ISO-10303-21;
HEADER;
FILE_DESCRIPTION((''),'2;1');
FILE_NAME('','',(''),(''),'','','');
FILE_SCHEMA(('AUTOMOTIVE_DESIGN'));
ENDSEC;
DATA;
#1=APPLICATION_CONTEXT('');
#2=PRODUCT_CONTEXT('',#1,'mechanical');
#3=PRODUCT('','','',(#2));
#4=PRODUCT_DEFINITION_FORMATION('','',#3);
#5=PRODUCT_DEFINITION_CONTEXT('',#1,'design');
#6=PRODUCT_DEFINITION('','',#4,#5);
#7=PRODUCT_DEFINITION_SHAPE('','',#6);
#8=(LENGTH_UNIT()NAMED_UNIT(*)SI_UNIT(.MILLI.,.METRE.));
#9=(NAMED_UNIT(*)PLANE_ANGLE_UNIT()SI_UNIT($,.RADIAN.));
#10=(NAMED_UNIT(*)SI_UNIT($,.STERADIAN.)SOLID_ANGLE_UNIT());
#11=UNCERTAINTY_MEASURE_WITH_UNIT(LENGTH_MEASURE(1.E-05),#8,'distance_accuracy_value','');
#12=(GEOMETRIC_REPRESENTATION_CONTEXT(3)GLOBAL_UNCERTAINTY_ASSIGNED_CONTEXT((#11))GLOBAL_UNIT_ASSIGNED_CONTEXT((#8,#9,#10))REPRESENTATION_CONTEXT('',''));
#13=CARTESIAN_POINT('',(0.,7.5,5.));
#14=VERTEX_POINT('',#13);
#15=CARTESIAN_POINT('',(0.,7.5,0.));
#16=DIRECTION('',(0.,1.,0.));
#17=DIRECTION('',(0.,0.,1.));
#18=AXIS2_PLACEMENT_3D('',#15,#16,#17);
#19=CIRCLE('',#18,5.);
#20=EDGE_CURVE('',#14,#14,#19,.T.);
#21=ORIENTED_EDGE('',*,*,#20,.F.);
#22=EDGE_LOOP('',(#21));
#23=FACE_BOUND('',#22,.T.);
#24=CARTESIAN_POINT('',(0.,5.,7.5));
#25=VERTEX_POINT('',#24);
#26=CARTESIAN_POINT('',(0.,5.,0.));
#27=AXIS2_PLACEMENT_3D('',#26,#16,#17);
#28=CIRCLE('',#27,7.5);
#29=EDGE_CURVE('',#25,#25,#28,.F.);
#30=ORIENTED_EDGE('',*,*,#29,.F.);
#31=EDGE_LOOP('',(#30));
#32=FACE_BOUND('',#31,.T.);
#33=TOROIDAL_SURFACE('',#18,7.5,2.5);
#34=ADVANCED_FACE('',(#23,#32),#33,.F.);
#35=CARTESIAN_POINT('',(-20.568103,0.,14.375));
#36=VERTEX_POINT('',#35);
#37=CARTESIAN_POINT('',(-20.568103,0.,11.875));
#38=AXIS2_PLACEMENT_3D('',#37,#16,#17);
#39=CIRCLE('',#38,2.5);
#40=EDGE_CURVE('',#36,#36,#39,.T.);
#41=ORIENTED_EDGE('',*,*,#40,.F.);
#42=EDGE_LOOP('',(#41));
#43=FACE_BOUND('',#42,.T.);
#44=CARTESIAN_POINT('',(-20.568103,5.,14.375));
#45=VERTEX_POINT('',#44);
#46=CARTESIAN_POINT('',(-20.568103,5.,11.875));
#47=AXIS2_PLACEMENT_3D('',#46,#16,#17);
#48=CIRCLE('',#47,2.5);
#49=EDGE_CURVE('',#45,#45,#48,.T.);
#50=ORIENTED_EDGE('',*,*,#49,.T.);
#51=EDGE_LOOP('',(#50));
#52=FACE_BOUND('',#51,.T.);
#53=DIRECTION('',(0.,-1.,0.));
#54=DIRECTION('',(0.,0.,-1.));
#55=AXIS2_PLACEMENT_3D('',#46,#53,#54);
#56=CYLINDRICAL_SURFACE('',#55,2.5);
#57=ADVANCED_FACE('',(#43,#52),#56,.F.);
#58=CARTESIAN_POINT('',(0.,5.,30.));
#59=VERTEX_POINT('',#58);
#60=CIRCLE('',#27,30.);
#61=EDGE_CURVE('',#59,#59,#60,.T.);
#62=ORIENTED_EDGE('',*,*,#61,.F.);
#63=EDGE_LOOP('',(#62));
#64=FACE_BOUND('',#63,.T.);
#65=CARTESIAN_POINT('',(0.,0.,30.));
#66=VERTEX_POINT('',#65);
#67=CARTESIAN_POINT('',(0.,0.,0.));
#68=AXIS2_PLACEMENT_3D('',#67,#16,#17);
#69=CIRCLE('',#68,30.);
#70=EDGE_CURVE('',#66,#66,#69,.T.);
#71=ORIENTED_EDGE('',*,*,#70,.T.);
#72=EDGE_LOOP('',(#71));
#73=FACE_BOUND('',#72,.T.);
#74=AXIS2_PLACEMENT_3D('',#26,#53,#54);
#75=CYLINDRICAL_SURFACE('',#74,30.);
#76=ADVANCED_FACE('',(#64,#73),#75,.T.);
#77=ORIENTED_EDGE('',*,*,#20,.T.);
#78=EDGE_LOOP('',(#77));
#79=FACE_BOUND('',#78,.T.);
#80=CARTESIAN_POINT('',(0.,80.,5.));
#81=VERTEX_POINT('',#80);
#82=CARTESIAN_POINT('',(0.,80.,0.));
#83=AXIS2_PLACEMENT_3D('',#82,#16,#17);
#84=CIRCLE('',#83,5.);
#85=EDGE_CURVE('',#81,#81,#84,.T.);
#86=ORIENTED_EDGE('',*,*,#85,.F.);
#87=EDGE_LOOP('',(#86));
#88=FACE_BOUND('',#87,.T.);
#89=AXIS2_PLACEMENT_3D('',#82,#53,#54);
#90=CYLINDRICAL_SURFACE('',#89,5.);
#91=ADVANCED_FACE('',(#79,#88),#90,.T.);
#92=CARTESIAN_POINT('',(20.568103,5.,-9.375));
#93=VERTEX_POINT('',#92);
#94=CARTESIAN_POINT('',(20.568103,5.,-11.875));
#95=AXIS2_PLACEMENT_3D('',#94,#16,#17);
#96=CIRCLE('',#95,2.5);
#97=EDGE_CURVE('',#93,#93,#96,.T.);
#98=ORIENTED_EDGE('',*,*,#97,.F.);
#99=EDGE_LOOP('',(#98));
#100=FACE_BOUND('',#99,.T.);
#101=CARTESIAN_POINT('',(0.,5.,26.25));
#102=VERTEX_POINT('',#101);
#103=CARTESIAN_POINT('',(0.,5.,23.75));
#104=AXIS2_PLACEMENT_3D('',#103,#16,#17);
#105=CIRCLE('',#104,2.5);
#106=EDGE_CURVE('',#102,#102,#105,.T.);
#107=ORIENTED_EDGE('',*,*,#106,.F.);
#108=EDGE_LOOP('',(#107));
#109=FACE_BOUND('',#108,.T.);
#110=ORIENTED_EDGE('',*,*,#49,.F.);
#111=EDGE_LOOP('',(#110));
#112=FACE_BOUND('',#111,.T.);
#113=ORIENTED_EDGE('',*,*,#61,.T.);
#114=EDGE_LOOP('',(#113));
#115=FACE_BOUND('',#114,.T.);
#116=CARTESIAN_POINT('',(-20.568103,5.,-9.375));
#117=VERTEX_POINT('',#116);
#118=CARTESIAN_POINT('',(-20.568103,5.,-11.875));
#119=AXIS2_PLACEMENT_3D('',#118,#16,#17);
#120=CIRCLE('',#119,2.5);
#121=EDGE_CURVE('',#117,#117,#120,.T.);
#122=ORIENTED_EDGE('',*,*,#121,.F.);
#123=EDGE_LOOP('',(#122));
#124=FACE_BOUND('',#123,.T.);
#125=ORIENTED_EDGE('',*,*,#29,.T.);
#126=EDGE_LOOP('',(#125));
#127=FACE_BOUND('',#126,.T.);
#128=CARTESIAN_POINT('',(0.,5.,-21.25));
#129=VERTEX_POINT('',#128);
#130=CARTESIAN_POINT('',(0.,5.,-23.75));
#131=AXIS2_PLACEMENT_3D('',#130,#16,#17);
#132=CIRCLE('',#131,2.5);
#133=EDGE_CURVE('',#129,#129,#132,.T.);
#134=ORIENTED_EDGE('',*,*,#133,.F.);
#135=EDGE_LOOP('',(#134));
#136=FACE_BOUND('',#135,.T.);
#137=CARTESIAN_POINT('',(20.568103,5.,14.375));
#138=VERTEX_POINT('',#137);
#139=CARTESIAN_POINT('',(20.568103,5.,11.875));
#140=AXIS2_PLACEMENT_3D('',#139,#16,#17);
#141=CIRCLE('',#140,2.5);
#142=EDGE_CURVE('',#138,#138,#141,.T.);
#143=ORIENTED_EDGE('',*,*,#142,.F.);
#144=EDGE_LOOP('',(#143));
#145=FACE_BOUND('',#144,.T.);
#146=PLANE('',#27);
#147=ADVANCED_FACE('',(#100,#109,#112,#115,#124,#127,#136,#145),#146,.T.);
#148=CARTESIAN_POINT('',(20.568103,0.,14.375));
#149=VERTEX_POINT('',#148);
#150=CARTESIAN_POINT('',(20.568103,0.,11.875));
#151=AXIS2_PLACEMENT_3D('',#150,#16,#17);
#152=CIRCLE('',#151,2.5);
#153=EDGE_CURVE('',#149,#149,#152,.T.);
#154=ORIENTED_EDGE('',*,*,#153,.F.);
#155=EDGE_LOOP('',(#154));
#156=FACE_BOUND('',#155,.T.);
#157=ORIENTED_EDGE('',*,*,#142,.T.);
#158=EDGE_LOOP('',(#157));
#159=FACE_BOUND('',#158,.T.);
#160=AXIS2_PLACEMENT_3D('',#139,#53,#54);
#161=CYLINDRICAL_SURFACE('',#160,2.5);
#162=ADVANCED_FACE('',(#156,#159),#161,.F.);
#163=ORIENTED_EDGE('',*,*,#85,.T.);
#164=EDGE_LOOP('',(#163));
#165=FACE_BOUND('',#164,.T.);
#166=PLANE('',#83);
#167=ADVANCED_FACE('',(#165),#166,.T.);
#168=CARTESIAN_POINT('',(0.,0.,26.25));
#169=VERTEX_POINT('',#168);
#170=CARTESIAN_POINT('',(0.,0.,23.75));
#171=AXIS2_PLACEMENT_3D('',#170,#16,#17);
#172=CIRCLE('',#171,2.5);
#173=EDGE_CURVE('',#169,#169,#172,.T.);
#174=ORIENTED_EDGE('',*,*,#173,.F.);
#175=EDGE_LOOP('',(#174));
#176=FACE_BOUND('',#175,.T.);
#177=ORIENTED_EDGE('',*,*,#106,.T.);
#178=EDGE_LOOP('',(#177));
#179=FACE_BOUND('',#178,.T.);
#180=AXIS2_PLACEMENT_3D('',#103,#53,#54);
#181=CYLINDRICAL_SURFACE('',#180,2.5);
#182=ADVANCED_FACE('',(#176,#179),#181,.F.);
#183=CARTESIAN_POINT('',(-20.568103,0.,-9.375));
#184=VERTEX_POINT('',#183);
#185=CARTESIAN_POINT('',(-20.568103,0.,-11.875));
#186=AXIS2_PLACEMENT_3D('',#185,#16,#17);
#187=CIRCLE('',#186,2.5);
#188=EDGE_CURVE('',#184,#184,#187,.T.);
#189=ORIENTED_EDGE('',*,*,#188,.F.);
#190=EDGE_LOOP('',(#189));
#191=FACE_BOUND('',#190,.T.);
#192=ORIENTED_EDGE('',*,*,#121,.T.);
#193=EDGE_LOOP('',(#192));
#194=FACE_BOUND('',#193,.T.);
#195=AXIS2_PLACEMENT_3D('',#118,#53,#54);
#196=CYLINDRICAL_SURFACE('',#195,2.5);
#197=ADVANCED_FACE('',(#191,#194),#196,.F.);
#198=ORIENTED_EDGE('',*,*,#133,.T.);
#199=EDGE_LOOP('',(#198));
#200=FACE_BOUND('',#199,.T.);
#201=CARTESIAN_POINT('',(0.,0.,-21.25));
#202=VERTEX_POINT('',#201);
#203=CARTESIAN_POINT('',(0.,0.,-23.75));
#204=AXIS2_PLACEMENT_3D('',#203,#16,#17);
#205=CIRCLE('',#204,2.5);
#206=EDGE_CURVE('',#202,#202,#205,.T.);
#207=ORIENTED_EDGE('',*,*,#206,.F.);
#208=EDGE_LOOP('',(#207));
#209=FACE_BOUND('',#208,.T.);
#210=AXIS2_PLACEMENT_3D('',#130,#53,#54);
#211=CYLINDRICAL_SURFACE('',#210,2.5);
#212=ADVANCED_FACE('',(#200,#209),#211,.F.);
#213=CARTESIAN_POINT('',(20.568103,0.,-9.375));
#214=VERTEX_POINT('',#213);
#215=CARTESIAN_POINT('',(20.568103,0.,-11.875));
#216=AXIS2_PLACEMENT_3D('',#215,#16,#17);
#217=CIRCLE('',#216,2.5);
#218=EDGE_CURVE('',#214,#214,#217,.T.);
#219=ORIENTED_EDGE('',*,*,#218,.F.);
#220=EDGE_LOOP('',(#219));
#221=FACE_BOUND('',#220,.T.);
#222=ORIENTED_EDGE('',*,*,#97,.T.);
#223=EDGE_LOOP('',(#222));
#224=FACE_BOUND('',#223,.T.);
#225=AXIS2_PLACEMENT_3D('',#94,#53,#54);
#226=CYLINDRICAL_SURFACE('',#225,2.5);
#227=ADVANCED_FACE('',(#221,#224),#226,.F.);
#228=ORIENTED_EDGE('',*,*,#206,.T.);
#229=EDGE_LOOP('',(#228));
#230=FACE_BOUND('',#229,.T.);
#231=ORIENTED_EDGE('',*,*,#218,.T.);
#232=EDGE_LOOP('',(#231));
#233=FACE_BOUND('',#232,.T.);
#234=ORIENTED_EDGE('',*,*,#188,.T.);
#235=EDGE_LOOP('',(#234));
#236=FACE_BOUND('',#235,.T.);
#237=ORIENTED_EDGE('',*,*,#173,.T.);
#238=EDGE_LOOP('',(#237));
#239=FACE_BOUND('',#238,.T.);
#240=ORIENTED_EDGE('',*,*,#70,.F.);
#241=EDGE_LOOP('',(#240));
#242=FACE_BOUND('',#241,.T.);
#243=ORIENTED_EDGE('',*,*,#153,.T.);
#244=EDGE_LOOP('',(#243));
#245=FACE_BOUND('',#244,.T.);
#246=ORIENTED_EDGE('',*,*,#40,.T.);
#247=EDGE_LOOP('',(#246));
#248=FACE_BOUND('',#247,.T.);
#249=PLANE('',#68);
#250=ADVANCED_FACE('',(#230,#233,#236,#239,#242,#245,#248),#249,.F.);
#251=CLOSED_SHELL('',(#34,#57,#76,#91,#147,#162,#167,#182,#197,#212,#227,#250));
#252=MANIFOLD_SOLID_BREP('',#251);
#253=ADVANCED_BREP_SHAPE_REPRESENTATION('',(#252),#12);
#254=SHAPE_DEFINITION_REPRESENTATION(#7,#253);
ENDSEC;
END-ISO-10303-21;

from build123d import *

# Parameters (mm, degrees)
SKETCH1_R           = 30
SKETCH1_R_2         = 2.5
BOSS_EXTRUDE1_DEPTH = 5
SKETCH2_R           = 5
BOSS_EXTRUDE2_DEPTH = 75
FILLET1_R           = 2.5


with BuildPart() as part:
    # Sketch1 → Boss-Extrude1 (new body)
    with BuildSketch(Plane(origin=(0, 0, 0), x_dir=(1, 0, 0), z_dir=(0, 1, 0))):
        with Locations(Location((0, 0, 0), (0, 0, 270))):
            Circle(SKETCH1_R)
        with Locations(Location((-20.56810334, 11.875, 0), (0, 0, 270))):
            Circle(SKETCH1_R_2, mode=Mode.SUBTRACT)
        with Locations(Location((0, 23.75, 0), (0, 0, 270))):
            Circle(SKETCH1_R_2, mode=Mode.SUBTRACT)
        with Locations(Location((20.56810334, 11.875, 0), (0, 0, 270))):
            Circle(SKETCH1_R_2, mode=Mode.SUBTRACT)
        with Locations(Location((20.56810334, -11.875, 0), (0, 0, 270))):
            Circle(SKETCH1_R_2, mode=Mode.SUBTRACT)
        with Locations(Location((0, -23.75, 0), (0, 0, 270))):
            Circle(SKETCH1_R_2, mode=Mode.SUBTRACT)
        with Locations(Location((-20.56810334, -11.875, 0), (0, 0, 270))):
            Circle(SKETCH1_R_2, mode=Mode.SUBTRACT)
    extrude(amount=BOSS_EXTRUDE1_DEPTH)

    # Sketch2 → Boss-Extrude2 (add)
    with BuildSketch(Plane(origin=(0, 5, 0), x_dir=(1, 0, 0), z_dir=(0, 1, 0))):
        with Locations(Location((0, 0, 0), (0, 0, 270))):
            Circle(SKETCH2_R)
    extrude(amount=BOSS_EXTRUDE2_DEPTH)

    # Fillet1
    fillet1_edges = [part.edges().sort_by_distance(p)[0] for p in [
        (0, 5, -5),
    ]]
    fillet(fillet1_edges, radius=FILLET1_R)


solid = part.part
